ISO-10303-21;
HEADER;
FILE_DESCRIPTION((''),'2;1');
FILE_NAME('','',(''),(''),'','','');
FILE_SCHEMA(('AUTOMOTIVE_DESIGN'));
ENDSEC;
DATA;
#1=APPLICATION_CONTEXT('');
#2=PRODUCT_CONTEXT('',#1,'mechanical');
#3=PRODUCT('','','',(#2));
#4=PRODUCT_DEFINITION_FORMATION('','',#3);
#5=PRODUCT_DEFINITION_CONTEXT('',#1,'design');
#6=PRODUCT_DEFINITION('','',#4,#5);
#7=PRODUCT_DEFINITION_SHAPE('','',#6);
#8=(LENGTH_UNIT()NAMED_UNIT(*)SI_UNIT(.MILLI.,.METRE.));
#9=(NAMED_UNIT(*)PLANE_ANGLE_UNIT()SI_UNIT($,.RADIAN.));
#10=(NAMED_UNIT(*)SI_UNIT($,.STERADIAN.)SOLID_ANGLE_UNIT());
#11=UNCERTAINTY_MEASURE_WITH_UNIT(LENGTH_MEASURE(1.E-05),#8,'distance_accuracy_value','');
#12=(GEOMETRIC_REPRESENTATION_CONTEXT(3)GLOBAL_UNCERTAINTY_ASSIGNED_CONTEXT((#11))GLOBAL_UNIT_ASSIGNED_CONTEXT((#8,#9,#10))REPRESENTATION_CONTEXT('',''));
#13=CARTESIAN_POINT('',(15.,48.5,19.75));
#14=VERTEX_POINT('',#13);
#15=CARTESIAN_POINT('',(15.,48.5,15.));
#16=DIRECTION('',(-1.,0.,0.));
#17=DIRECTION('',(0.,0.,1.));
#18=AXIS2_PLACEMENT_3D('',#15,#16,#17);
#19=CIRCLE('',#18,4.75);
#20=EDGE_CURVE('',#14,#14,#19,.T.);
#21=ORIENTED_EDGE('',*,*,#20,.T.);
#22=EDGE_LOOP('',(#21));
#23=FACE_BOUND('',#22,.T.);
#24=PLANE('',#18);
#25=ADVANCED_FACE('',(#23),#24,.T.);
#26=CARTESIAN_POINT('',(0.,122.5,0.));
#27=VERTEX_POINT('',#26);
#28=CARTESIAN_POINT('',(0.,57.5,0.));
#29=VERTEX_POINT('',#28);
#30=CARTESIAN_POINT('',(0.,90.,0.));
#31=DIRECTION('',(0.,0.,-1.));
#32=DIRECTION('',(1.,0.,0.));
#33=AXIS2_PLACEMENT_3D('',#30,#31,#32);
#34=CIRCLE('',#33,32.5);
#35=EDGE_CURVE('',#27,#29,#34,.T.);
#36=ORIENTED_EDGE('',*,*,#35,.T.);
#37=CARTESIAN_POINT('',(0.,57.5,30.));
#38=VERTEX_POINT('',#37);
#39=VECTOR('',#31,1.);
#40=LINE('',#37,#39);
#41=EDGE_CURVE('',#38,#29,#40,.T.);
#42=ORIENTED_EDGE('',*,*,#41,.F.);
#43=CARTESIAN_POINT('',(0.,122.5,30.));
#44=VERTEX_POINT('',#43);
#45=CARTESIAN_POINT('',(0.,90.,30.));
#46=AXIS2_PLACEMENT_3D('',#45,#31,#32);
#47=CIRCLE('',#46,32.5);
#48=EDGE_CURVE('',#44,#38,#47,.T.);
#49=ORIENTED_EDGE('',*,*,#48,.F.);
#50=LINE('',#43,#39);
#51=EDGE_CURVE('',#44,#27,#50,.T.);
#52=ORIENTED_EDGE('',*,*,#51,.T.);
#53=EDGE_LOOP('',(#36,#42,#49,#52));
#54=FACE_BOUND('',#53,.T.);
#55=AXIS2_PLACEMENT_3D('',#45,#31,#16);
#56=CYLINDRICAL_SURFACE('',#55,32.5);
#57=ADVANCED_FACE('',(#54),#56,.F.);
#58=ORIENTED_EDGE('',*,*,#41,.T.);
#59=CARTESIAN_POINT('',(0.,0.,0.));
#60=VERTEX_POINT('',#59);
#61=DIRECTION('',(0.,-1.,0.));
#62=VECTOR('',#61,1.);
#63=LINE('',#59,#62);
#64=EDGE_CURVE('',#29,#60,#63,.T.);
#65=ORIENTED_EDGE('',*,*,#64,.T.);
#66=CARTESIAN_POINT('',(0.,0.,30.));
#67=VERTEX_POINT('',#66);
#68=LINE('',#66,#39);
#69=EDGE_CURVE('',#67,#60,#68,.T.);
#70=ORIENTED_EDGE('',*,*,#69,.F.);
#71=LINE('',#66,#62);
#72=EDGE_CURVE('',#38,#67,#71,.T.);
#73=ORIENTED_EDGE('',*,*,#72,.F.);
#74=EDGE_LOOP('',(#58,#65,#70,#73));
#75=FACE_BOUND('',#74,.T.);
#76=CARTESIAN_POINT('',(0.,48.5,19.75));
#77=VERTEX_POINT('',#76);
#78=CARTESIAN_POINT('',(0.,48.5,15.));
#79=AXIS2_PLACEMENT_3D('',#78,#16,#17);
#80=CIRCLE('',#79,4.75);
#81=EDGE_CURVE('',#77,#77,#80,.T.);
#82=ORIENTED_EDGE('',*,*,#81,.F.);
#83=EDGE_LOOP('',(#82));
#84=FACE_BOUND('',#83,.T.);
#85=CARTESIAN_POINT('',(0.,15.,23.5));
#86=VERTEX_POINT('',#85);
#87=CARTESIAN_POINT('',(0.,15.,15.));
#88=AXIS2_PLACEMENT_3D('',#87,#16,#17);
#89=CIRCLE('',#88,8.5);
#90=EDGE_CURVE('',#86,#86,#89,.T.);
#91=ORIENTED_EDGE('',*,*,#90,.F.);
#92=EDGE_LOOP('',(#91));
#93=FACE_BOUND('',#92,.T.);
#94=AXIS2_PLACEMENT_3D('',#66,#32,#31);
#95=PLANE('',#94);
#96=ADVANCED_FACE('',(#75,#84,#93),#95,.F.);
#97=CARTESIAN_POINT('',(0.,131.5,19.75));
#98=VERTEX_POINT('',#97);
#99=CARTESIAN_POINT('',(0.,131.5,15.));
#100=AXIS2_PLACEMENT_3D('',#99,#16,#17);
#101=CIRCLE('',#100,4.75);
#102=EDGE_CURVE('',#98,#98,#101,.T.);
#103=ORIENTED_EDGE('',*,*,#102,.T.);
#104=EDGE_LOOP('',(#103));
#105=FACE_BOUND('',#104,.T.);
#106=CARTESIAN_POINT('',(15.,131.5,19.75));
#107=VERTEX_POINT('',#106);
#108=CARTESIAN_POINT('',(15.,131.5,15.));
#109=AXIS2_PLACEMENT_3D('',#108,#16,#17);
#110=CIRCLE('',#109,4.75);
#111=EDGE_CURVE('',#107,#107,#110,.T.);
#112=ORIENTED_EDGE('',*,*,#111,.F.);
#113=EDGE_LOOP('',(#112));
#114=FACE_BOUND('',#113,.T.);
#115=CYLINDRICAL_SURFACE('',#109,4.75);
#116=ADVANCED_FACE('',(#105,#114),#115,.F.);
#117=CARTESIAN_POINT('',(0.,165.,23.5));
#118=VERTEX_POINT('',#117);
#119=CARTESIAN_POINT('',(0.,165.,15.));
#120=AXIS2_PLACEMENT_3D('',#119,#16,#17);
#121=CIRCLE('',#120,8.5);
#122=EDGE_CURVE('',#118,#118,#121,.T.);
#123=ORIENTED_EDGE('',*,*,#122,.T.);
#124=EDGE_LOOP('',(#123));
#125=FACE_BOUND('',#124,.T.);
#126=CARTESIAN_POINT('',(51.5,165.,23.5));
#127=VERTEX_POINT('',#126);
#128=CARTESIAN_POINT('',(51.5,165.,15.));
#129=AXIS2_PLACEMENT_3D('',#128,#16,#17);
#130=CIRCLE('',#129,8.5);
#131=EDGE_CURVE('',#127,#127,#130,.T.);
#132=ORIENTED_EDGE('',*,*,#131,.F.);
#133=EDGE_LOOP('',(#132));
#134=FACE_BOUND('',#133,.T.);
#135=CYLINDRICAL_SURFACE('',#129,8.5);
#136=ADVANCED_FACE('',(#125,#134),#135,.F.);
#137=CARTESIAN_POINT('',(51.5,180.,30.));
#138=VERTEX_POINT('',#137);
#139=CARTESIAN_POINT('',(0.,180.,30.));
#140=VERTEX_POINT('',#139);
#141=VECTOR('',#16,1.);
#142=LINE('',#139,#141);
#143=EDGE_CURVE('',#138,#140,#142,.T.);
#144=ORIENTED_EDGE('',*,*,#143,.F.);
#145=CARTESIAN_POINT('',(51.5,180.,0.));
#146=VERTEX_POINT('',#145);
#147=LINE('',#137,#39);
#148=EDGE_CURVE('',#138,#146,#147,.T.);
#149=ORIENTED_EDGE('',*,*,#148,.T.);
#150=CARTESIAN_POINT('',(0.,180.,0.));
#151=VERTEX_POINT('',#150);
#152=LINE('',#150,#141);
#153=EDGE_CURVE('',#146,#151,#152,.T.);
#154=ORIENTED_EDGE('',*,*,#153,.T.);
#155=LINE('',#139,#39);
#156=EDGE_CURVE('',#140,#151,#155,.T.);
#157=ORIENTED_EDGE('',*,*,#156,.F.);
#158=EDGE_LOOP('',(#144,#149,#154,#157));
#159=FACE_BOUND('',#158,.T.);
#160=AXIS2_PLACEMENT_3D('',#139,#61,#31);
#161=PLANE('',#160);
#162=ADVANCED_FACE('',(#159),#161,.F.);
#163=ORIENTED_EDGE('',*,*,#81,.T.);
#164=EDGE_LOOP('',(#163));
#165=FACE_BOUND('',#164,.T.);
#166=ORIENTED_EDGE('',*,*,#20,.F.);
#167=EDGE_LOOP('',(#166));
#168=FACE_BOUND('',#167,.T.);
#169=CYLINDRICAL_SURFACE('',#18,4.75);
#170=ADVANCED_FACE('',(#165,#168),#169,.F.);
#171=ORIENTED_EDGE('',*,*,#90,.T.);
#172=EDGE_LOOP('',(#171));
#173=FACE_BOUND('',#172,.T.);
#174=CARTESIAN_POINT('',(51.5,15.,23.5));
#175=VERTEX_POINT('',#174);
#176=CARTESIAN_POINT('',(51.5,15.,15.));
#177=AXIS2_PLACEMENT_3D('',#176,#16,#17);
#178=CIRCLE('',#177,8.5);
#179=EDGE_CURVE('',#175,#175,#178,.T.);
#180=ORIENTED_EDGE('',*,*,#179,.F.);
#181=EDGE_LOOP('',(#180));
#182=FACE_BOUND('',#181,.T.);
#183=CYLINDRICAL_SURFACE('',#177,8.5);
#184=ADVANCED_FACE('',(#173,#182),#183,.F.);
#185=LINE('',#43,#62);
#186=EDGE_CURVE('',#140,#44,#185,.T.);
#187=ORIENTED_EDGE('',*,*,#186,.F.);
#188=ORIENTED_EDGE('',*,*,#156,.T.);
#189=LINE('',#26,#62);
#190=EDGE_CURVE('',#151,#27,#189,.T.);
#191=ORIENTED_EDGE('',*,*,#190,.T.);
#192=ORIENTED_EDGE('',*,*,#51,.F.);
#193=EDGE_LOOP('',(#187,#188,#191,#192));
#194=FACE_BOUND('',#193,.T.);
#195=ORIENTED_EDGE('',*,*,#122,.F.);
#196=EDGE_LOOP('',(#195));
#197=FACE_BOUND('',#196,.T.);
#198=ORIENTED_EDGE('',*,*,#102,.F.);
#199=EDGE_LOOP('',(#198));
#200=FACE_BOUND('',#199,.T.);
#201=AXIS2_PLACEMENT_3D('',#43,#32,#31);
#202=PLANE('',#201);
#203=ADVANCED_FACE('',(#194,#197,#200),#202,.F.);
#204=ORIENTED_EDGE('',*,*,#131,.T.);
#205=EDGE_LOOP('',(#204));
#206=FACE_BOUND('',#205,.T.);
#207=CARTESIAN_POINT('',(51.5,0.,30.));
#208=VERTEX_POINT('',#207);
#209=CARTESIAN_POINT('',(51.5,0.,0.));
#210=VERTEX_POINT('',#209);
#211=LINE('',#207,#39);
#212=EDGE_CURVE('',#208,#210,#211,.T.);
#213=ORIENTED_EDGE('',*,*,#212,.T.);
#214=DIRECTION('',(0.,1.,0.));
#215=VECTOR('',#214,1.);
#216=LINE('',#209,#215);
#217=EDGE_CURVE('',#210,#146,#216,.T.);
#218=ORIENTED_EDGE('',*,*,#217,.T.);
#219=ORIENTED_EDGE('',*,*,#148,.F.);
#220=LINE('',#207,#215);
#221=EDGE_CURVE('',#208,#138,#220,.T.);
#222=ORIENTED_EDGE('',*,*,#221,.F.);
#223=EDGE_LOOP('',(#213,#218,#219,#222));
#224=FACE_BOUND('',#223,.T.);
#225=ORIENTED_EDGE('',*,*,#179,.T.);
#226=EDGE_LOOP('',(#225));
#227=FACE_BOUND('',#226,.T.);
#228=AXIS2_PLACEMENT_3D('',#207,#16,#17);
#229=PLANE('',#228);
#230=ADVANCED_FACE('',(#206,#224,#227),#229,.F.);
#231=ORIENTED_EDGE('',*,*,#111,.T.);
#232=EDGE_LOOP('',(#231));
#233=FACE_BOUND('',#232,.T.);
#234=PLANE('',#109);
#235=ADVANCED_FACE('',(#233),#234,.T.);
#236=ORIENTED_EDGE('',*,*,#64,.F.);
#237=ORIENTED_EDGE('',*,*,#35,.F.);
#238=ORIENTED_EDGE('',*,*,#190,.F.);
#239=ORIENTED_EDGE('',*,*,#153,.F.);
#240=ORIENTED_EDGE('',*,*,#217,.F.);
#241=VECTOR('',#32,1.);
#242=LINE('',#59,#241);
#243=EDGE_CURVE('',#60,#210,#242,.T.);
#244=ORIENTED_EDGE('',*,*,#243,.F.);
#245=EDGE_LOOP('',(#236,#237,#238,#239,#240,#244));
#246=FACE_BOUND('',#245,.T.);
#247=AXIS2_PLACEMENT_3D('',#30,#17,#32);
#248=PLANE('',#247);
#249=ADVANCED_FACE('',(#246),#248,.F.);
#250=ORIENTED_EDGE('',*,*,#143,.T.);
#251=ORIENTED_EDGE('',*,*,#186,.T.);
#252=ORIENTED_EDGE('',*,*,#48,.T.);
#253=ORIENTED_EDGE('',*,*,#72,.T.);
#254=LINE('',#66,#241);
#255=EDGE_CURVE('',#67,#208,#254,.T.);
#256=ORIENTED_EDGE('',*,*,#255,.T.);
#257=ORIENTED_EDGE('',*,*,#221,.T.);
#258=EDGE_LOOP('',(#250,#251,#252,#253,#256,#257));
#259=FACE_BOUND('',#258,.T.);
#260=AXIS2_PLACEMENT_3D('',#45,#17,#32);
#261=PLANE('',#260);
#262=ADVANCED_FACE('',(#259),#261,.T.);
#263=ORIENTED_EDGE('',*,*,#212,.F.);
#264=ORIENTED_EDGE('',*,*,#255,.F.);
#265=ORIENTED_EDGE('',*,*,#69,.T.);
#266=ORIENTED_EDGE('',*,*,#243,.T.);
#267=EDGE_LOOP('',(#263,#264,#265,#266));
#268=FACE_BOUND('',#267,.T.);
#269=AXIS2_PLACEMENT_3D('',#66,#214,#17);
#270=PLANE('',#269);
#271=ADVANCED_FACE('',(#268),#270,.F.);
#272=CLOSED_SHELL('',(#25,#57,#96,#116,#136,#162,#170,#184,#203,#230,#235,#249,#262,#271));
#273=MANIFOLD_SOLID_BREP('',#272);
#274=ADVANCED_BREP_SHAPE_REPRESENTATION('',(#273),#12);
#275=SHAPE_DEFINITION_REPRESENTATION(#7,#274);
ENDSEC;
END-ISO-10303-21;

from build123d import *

# Parameters (mm, degrees)
BOSS_EXTRUDE1_DEPTH = 30
SKETCH2_R           = 8.5
CUT_EXTRUDE1_DEPTH  = 52.5
LPATTERN1_COUNT     = 2
LPATTERN1_PITCH     = 150
SKETCH3_R           = 4.75
CUT_EXTRUDE2_DEPTH  = 15
LPATTERN2_COUNT     = 2
LPATTERN2_PITCH     = 83


with BuildPart() as part:
    # Sketch1 → Boss-Extrude1 (new body)
    with BuildSketch(Plane.XY):
        with BuildLine():
            Line((0, 122.5), (0, 180))
            Line((0, 180), (51.5, 180))
            Line((51.5, 180), (51.5, 0))
            Line((51.5, 0), (0, 0))
            Line((0, 0), (0, 57.5))
            ThreePointArc((0, 57.5), (32.5, 90), (0, 122.5))
        make_face()
    extrude(amount=BOSS_EXTRUDE1_DEPTH)

    # Sketch2 → Cut-Extrude1 (cut, through all)
    with BuildSketch(Plane.ZY):
        with Locations((15, 15)):
            Circle(SKETCH2_R)
    cut_extrude1 = extrude(amount=-CUT_EXTRUDE1_DEPTH, mode=Mode.SUBTRACT)

    # LPattern1: Cut-Extrude1 ×2
    with Locations(*[(0, i * LPATTERN1_PITCH, 0) for i in range(1, LPATTERN1_COUNT)]):
        add(cut_extrude1, mode=Mode.SUBTRACT)

    # Sketch3 → Cut-Extrude2 (cut)
    with BuildSketch(Plane.ZY):
        with Locations((15, 48.5)):
            Circle(SKETCH3_R)
    cut_extrude2 = extrude(amount=-CUT_EXTRUDE2_DEPTH, mode=Mode.SUBTRACT)

    # LPattern2: Cut-Extrude2 ×2
    with Locations(*[(0, i * LPATTERN2_PITCH, 0) for i in range(1, LPATTERN2_COUNT)]):
        add(cut_extrude2, mode=Mode.SUBTRACT)


solid = part.part
